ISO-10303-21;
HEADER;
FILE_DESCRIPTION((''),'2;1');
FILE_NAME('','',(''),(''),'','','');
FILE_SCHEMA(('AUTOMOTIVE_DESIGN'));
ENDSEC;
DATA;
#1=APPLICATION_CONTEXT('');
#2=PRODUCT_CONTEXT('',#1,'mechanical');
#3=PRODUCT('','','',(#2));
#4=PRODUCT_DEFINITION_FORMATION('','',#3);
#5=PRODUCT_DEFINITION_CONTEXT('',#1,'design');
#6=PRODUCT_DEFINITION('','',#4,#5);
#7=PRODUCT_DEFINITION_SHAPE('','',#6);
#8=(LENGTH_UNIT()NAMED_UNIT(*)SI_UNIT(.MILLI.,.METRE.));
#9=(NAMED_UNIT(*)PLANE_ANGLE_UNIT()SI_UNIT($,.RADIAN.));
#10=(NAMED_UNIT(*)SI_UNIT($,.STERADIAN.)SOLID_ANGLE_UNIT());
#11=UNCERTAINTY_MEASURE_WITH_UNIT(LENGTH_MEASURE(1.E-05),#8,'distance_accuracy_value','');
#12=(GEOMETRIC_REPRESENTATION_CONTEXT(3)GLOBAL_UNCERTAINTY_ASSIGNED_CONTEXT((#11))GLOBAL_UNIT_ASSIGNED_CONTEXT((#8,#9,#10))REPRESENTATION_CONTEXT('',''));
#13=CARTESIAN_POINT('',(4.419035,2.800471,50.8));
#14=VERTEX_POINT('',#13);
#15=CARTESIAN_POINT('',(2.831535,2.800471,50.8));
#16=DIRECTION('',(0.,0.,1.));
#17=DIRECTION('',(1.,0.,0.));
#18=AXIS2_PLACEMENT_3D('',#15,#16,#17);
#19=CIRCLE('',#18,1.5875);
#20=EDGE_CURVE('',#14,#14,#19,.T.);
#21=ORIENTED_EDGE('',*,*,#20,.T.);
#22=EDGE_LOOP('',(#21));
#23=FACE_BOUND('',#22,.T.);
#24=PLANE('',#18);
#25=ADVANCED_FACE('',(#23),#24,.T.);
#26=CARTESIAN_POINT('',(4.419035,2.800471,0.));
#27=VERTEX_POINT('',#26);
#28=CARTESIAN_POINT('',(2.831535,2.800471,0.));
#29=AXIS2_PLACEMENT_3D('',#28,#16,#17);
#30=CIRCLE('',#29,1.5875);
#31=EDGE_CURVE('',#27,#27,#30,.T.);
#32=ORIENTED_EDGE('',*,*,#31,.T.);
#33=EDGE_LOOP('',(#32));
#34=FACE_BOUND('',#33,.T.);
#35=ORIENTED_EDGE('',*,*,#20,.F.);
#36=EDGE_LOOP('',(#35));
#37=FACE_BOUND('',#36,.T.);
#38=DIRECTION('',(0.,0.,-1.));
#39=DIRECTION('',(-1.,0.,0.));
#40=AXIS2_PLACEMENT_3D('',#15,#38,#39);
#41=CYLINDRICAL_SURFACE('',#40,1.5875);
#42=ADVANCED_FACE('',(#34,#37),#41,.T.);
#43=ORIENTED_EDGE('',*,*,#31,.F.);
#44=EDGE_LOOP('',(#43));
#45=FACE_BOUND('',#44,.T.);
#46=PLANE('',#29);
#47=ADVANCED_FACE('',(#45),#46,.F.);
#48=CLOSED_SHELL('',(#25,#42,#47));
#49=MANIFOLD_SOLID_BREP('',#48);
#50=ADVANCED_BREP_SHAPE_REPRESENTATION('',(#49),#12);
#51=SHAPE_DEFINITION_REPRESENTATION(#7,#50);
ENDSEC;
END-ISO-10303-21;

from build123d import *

# Parameters (mm, degrees)
SKETCH1_R           = 1.5875
BOSS_EXTRUDE1_DEPTH = 50.8


with BuildPart() as part:
    # Sketch1 → Boss-Extrude1 (new body)
    with BuildSketch(Plane.XY):
        with Locations((2.831535193, 2.800471084)):
            Circle(SKETCH1_R)
    extrude(amount=BOSS_EXTRUDE1_DEPTH)


solid = part.part
